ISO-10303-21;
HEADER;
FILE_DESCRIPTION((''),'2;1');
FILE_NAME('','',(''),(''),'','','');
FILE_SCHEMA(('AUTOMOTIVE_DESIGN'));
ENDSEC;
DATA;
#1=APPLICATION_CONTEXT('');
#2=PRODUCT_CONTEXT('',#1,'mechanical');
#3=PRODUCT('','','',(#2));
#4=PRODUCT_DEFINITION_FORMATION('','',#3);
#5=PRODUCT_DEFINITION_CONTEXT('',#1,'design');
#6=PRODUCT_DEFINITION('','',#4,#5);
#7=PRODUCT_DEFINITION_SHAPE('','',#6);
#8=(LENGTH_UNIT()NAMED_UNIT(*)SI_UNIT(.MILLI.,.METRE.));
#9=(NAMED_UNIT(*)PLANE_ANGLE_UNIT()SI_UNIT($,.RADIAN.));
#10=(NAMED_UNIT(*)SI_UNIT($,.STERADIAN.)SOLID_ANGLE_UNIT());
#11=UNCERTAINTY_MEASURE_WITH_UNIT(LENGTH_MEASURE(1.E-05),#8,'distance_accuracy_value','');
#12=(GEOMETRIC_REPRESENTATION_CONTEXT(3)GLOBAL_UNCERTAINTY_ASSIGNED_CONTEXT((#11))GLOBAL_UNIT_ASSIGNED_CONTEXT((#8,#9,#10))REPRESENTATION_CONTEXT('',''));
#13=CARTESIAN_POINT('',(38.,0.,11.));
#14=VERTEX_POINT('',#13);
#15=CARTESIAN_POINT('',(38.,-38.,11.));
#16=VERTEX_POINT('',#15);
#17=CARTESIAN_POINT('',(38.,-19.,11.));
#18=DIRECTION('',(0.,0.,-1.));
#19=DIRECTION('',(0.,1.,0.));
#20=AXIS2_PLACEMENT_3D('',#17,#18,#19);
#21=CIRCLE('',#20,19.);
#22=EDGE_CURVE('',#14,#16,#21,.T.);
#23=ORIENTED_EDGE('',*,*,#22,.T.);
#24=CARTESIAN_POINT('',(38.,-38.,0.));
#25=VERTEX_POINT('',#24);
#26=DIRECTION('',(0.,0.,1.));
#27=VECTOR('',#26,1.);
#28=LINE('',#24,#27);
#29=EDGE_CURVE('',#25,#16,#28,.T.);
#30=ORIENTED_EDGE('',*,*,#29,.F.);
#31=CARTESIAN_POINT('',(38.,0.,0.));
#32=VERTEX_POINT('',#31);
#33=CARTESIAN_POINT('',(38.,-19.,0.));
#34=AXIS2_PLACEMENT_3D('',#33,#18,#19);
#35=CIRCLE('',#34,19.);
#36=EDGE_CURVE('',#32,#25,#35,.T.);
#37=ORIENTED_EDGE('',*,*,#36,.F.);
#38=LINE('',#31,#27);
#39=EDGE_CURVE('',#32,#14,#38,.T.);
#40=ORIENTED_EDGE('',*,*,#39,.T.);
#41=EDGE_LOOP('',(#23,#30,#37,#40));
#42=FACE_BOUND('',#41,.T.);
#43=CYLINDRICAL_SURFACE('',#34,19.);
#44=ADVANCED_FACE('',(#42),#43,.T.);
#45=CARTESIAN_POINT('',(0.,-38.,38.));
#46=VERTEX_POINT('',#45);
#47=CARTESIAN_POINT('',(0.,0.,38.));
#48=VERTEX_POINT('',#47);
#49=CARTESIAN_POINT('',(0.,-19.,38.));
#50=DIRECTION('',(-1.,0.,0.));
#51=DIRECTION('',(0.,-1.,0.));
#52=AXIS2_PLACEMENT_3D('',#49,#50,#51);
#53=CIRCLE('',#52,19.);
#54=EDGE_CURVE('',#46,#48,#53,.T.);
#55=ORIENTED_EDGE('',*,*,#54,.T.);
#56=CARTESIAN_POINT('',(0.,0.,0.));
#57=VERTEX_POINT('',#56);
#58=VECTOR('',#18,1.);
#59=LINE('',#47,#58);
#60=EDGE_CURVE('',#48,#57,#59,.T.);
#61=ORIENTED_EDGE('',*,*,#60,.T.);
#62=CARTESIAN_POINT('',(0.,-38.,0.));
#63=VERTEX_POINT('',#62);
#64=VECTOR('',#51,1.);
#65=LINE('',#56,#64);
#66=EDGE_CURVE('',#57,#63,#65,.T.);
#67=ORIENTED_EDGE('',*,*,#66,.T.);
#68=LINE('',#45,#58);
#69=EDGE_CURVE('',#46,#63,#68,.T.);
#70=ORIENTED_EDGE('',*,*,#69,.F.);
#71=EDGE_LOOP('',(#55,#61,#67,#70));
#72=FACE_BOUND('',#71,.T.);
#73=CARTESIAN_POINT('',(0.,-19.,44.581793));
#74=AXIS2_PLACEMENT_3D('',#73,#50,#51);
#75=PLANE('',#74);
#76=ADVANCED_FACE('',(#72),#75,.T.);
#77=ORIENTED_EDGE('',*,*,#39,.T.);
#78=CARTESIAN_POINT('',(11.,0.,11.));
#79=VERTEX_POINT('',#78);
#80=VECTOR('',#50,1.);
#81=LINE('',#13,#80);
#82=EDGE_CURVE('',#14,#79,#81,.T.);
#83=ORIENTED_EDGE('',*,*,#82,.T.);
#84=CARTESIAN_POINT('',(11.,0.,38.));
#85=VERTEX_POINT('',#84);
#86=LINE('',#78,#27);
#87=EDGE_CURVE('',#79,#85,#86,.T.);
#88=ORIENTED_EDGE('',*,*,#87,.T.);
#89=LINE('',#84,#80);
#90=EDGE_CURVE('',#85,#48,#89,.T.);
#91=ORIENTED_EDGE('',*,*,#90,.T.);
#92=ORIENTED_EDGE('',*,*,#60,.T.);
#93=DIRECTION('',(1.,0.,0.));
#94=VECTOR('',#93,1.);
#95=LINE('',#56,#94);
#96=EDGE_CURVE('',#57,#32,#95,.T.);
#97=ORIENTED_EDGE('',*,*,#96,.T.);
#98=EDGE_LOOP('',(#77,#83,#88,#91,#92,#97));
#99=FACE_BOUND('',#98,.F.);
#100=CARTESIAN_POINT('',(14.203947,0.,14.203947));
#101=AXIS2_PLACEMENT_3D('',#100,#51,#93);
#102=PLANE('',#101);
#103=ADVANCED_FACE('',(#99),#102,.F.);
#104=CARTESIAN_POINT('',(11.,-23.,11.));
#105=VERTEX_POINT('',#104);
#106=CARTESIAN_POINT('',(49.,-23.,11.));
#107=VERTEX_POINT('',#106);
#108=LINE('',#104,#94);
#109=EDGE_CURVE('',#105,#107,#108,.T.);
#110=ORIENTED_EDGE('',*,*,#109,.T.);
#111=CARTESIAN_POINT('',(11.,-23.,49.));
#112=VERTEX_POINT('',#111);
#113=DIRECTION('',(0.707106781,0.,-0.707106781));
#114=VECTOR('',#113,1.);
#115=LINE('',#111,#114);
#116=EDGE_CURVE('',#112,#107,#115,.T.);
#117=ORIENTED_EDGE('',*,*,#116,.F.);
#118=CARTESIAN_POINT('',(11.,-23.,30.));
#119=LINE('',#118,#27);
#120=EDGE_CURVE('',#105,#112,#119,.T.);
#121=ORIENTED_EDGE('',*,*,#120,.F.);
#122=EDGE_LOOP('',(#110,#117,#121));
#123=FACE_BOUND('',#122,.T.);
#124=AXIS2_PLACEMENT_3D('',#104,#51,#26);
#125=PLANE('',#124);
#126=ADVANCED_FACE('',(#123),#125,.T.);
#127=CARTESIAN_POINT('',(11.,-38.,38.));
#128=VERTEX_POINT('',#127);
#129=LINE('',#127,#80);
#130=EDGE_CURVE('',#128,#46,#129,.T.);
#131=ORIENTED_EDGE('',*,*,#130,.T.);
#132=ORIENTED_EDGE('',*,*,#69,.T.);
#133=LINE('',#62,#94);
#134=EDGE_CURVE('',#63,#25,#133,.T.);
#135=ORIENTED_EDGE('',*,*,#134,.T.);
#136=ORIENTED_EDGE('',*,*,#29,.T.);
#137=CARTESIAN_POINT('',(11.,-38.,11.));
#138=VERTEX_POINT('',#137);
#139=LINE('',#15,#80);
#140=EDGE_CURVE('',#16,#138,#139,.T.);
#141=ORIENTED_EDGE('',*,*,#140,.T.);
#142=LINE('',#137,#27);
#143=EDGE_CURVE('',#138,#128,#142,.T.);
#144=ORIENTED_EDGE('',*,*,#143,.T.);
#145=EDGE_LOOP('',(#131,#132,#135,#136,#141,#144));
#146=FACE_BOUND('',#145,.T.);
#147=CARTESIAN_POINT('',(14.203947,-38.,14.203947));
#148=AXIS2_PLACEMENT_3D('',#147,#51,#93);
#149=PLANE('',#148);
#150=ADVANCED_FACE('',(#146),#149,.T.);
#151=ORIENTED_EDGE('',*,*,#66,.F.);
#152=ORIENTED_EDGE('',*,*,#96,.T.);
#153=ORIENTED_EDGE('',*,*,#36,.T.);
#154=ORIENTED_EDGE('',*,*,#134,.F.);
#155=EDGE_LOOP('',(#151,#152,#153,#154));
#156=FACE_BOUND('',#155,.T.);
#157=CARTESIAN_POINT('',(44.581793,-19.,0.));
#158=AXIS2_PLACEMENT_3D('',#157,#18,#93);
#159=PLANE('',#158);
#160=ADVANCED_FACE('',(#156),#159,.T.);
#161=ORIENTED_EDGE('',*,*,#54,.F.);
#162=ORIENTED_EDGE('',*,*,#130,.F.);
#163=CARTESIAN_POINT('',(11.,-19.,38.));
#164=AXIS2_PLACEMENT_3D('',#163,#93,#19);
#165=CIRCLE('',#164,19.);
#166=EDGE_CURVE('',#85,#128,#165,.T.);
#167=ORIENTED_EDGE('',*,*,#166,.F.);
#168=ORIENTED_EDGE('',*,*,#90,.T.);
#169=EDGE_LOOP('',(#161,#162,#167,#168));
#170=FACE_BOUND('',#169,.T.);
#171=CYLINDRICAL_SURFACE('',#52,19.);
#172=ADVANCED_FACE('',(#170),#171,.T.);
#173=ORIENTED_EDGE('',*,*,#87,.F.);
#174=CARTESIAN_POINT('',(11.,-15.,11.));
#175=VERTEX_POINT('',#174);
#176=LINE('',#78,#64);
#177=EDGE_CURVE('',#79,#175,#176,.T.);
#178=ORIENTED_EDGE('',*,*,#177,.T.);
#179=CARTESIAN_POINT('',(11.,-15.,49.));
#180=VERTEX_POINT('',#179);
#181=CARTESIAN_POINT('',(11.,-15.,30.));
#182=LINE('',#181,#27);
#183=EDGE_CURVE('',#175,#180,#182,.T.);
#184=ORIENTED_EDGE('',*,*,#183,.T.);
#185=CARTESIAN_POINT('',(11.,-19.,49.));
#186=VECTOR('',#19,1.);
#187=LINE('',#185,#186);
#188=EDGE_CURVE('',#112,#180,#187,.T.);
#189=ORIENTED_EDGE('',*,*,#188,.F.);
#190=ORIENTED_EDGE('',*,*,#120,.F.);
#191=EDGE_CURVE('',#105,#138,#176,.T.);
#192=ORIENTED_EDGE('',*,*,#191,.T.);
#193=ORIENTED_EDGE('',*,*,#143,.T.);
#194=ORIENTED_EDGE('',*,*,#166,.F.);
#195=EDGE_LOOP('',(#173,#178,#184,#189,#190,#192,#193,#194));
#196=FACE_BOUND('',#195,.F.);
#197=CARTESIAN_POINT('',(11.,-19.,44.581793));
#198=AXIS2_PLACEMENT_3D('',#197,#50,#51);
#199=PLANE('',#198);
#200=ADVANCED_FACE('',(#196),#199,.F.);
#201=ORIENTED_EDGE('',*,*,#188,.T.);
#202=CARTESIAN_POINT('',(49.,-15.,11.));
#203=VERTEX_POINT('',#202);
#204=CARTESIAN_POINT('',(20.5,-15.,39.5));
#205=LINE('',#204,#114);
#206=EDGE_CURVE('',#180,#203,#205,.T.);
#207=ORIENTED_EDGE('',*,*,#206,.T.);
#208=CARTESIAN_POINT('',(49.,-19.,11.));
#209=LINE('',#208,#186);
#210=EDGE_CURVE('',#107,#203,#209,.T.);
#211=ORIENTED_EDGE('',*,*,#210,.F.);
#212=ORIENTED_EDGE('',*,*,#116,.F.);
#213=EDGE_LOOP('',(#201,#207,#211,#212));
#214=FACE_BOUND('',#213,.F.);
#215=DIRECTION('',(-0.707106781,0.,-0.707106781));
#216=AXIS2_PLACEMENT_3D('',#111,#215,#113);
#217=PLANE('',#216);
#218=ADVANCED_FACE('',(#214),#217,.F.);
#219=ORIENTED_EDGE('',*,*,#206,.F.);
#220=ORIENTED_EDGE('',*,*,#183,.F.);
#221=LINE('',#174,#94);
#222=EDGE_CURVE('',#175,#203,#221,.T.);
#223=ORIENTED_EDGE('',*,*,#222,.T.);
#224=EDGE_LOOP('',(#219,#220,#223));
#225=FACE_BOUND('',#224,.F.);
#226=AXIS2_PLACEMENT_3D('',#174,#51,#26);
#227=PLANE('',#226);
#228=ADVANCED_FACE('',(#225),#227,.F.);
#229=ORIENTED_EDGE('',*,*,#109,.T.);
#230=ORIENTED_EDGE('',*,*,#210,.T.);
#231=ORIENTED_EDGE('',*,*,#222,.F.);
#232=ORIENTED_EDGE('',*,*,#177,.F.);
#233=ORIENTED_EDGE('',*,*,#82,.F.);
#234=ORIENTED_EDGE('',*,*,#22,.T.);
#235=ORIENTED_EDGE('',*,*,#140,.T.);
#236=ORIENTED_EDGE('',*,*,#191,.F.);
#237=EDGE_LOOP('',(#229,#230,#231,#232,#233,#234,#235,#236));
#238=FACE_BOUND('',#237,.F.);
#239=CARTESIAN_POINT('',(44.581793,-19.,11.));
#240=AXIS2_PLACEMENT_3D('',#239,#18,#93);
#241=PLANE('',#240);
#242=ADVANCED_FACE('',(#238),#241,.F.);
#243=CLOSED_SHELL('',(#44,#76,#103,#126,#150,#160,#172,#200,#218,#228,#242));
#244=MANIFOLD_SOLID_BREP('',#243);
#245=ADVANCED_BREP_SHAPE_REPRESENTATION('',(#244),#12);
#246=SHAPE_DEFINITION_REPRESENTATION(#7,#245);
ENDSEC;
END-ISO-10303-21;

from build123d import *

# Parameters (mm, degrees)
F1_DEPTH = 38
F3_DEPTH = 11
F5_DEPTH = 11
F6_W     = 8
F6_H     = 38
F7_DEPTH = 38
F9_DEPTH = 25


with BuildPart() as f1:
    # F0 (on Front) → F1 (new body)
    with BuildSketch(Plane.XZ):
        Polygon((0, 38), (0, 0), (38, 0), (38, 11), (11, 11), (11, 38), align=None)
    extrude(amount=F1_DEPTH)

    # F2 (on face) → F3 (join)
    with BuildSketch(Plane(origin=(0, 0, 0), x_dir=(0, -1, 0), z_dir=(-1, 0, 0))):
        with BuildLine():
            Line((0, 38), (38, 38))
            ThreePointArc((38, 38), (19, 57), (0, 38))
        make_face()
    extrude(amount=-F3_DEPTH)

    # F4 (on face) → F5 (join)
    with BuildSketch(Plane(origin=(0, 0, 0), x_dir=(1, 0, 0), z_dir=(0, 0, -1))):
        with BuildLine():
            Line((38, 38), (38, 0))
            ThreePointArc((38, 0), (57, 19), (38, 38))
        make_face()
    extrude(amount=-F5_DEPTH)

    # F6 (on face) → F7 (join)
    with BuildSketch(Plane.YZ.offset(11)):
        with Locations((-19, 30)):
            Rectangle(F6_W, F6_H)
    extrude(amount=F7_DEPTH)

    # F8 (on face) → F9 (cut)
    with BuildSketch(Plane.XZ.offset(23)):
        Polygon((11, 49), (49, 11), (49, 49), align=None)
    extrude(amount=-F9_DEPTH, mode=Mode.SUBTRACT)


solid = f1.part
